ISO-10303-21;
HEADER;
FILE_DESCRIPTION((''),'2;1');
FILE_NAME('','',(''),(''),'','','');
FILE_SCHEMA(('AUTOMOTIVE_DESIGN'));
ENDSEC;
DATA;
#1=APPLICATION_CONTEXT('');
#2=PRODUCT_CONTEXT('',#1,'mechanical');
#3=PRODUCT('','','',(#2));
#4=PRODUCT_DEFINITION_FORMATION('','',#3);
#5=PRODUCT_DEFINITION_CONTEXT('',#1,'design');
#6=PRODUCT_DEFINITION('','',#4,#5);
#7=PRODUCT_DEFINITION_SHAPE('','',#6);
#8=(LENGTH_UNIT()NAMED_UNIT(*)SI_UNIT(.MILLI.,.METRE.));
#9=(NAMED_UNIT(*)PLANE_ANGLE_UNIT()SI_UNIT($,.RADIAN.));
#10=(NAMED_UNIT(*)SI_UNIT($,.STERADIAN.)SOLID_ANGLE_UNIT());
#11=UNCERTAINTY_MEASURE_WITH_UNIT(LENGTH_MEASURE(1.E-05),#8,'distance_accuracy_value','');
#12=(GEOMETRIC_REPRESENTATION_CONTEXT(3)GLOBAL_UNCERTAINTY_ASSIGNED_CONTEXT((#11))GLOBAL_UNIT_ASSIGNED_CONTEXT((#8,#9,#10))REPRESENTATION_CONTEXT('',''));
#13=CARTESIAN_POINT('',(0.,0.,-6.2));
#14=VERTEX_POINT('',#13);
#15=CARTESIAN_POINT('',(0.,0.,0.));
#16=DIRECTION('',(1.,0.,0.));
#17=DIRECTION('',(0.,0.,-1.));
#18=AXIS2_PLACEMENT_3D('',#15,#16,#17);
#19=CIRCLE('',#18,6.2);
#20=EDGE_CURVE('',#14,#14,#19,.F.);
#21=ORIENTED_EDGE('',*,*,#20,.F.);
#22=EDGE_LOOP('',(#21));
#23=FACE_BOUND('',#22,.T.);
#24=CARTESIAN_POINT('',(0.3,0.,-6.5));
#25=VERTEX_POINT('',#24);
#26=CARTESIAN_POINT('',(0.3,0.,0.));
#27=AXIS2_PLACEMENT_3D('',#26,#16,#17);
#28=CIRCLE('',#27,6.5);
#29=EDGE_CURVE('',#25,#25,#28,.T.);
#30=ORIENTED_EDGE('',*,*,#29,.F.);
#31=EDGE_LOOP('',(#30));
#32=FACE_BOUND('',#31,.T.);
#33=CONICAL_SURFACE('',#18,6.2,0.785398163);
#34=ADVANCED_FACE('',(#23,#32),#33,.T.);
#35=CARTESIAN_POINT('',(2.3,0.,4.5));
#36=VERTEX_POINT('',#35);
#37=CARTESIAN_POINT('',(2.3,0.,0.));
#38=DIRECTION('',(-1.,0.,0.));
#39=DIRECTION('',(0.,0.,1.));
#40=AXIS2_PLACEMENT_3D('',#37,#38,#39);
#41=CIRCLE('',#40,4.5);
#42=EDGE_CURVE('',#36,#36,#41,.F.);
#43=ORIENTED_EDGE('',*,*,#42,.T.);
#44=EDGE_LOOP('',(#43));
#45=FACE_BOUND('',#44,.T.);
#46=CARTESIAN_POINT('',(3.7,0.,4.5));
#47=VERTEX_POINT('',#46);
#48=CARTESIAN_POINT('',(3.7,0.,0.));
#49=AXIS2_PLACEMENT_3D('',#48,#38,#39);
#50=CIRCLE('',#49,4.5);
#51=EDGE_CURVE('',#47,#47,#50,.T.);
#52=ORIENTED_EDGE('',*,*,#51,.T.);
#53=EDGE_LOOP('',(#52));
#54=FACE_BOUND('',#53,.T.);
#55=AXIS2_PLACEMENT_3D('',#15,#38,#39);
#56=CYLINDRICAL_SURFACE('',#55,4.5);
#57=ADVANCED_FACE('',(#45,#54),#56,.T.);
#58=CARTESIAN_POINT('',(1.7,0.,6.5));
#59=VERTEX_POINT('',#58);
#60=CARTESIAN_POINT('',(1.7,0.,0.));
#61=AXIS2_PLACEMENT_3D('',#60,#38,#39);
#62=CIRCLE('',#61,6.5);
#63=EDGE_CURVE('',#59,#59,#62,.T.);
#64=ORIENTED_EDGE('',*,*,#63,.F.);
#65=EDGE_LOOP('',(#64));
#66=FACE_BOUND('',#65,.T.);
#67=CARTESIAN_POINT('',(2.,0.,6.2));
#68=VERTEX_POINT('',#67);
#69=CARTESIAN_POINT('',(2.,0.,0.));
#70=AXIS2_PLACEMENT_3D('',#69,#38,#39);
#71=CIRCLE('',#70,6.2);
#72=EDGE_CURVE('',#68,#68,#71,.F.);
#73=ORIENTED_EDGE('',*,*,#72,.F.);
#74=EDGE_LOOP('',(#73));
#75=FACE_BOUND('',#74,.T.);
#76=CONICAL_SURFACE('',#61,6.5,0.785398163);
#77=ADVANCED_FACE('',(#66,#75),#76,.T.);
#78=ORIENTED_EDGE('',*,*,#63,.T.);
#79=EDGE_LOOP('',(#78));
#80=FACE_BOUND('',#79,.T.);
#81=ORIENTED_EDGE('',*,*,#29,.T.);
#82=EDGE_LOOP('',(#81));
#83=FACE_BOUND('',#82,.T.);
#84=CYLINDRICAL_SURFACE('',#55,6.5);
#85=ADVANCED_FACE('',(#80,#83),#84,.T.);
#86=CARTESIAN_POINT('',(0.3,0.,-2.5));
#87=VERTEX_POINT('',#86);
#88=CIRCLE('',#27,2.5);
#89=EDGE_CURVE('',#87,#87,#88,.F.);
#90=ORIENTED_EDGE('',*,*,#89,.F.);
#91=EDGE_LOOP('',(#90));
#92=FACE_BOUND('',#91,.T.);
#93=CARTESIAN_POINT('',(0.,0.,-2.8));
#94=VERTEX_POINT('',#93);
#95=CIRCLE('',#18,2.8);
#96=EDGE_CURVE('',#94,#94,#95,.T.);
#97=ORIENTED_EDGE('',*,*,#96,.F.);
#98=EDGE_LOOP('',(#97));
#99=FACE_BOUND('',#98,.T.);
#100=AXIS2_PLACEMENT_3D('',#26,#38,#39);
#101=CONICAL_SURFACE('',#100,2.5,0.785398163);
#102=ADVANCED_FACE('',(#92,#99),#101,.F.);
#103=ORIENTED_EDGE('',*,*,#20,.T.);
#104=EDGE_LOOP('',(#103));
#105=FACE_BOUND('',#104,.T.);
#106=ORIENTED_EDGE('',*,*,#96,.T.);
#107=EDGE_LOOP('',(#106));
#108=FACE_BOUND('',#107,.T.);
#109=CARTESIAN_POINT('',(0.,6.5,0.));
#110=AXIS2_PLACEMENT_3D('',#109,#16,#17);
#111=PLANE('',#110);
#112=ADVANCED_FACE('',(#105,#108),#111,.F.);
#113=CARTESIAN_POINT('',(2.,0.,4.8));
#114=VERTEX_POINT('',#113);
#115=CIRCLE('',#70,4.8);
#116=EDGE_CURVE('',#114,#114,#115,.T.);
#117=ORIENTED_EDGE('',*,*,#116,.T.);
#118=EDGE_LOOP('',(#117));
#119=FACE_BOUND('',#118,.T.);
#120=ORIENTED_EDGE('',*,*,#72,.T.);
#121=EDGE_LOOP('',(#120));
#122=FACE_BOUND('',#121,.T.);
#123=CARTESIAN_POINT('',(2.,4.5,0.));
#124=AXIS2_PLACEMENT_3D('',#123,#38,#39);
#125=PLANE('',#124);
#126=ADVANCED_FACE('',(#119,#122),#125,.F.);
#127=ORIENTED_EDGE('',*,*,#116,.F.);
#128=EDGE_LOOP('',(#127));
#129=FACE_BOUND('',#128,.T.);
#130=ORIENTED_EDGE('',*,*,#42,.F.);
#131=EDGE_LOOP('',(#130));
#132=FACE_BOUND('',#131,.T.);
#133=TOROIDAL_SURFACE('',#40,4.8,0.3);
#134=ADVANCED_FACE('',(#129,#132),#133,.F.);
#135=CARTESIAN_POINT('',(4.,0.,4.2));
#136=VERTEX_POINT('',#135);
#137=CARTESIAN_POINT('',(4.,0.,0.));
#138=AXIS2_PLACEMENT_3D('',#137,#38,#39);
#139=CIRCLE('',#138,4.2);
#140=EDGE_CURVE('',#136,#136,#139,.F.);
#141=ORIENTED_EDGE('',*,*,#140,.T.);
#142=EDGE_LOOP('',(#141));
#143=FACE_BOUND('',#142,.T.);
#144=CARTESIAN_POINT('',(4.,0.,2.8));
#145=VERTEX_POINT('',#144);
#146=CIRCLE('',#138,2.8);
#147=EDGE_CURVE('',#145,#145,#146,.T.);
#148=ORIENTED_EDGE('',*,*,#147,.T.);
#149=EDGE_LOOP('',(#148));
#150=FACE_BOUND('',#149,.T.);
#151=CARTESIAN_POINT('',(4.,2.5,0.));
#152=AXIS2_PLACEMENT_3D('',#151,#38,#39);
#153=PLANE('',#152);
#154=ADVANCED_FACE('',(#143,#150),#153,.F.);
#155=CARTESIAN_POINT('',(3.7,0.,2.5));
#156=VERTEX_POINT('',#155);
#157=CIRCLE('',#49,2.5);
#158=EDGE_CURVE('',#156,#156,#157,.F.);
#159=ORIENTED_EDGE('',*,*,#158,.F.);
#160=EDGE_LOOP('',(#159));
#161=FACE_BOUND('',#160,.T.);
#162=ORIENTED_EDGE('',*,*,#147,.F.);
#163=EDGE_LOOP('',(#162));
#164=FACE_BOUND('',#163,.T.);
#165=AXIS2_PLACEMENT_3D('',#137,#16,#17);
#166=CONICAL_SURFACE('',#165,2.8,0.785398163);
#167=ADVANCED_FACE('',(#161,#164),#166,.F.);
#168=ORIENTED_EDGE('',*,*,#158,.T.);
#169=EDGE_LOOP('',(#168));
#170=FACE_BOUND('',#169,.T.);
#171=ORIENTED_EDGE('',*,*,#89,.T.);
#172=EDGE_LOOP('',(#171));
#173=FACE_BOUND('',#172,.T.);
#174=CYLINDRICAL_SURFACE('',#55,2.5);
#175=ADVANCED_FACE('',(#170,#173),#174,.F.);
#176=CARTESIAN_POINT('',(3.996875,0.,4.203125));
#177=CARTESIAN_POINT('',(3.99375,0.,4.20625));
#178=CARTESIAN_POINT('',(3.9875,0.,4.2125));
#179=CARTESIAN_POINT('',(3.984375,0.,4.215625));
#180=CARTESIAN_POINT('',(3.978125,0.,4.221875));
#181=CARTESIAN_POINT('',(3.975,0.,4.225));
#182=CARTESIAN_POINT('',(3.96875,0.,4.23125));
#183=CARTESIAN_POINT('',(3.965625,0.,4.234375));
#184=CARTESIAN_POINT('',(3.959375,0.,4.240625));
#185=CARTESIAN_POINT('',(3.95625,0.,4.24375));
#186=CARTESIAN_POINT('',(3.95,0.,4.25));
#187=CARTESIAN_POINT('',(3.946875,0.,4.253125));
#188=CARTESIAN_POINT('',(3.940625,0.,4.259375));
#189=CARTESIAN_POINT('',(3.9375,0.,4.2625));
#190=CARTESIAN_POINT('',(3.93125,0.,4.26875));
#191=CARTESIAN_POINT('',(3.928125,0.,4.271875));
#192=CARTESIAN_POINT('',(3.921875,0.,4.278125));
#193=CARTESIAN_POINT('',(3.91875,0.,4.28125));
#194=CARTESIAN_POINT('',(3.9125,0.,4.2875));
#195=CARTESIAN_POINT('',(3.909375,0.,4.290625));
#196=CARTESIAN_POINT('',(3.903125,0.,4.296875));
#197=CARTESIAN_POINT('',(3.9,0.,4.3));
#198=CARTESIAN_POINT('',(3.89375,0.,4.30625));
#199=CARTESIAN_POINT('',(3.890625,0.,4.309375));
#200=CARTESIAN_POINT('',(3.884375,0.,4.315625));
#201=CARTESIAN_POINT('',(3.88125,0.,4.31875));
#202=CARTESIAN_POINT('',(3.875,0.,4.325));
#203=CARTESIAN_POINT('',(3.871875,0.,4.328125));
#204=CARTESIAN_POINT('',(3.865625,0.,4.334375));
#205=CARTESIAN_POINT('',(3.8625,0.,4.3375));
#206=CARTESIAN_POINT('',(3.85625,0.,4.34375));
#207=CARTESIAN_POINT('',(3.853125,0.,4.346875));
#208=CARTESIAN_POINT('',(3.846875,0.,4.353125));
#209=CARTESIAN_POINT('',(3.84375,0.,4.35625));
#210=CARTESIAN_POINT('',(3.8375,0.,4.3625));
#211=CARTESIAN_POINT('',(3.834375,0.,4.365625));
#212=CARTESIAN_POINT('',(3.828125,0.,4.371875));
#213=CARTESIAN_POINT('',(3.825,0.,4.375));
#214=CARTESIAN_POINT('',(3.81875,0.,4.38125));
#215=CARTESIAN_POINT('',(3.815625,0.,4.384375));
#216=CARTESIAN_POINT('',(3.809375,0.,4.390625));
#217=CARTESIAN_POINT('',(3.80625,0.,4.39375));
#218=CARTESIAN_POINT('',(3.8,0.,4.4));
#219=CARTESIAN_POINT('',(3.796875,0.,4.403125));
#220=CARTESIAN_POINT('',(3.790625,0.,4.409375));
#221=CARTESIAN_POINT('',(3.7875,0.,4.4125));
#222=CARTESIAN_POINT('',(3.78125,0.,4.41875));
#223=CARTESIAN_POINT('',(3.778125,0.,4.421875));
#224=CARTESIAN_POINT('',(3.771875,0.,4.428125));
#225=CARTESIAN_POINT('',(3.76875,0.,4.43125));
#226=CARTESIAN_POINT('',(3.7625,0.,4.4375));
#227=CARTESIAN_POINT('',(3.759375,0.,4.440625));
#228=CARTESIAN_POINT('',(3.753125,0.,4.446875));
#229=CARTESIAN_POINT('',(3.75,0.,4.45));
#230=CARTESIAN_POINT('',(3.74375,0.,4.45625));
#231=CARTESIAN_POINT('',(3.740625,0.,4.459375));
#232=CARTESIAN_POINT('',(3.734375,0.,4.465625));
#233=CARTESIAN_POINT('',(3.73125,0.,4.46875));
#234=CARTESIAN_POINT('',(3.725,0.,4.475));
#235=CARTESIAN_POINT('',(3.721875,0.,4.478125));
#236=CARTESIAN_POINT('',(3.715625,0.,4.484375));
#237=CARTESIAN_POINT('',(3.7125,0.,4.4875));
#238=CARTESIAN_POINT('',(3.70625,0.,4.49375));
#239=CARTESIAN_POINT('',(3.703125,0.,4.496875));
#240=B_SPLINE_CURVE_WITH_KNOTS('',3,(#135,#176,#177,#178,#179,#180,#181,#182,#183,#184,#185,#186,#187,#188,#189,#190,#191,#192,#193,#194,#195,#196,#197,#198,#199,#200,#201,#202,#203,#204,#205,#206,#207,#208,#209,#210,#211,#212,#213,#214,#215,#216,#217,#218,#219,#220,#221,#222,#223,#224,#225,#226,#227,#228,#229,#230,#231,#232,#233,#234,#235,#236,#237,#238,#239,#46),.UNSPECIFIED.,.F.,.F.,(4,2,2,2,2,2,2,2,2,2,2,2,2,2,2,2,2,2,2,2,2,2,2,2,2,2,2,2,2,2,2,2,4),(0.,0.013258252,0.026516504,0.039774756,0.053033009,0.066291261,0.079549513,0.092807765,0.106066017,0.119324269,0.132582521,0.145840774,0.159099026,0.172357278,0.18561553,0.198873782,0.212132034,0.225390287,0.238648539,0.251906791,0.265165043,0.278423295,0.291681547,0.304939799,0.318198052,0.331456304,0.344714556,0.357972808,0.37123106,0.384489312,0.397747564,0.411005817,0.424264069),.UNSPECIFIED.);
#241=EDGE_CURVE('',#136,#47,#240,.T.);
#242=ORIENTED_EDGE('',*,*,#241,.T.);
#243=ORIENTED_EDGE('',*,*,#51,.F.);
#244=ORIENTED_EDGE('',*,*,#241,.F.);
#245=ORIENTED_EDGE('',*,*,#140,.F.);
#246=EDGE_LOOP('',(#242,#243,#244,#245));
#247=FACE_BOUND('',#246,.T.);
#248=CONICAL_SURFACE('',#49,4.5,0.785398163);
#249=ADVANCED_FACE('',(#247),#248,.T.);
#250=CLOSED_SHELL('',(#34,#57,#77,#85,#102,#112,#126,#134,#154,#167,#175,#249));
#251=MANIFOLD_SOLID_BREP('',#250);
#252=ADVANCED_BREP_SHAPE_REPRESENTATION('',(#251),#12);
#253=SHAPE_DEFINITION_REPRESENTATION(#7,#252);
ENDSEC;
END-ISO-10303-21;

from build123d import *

# Parameters (mm, degrees)
ZAOBLIT1_R   = 0.3
ZKOSIT1_SIZE = 0.3


with BuildPart() as part:
    # Skica1 → Otočit kolem osy1 (revolve)
    with BuildSketch(Plane.XY, mode=Mode.PRIVATE) as oto_it_kolem_osy1_sk:
        Polygon((0, 2.5), (4, 2.5), (4, 4.5), (2, 4.5), (2, 6.5), (0, 6.5), align=None)
    revolve(oto_it_kolem_osy1_sk.sketch.rotate(Axis((0, 0, 0), (1, 0, 0)), 90), axis=Axis((0, 0, 0), (1, 0, 0)))

    # Zaoblit1
    zaoblit1_edges = [part.edges().sort_by_distance(p)[0] for p in [
        (2, 0, -4.5),
    ]]
    fillet(zaoblit1_edges, radius=ZAOBLIT1_R)

    # Zkosit1
    zkosit1_edges = [part.edges().sort_by_distance(p)[0] for p in [
        (0, 0, -6.5),
        (2, 0, -6.5),
        (4, 0, -4.5),
        (4, 0, -2.5),
        (0, 0, -2.5),
    ]]
    chamfer(zkosit1_edges, length=ZKOSIT1_SIZE)


solid = part.part
